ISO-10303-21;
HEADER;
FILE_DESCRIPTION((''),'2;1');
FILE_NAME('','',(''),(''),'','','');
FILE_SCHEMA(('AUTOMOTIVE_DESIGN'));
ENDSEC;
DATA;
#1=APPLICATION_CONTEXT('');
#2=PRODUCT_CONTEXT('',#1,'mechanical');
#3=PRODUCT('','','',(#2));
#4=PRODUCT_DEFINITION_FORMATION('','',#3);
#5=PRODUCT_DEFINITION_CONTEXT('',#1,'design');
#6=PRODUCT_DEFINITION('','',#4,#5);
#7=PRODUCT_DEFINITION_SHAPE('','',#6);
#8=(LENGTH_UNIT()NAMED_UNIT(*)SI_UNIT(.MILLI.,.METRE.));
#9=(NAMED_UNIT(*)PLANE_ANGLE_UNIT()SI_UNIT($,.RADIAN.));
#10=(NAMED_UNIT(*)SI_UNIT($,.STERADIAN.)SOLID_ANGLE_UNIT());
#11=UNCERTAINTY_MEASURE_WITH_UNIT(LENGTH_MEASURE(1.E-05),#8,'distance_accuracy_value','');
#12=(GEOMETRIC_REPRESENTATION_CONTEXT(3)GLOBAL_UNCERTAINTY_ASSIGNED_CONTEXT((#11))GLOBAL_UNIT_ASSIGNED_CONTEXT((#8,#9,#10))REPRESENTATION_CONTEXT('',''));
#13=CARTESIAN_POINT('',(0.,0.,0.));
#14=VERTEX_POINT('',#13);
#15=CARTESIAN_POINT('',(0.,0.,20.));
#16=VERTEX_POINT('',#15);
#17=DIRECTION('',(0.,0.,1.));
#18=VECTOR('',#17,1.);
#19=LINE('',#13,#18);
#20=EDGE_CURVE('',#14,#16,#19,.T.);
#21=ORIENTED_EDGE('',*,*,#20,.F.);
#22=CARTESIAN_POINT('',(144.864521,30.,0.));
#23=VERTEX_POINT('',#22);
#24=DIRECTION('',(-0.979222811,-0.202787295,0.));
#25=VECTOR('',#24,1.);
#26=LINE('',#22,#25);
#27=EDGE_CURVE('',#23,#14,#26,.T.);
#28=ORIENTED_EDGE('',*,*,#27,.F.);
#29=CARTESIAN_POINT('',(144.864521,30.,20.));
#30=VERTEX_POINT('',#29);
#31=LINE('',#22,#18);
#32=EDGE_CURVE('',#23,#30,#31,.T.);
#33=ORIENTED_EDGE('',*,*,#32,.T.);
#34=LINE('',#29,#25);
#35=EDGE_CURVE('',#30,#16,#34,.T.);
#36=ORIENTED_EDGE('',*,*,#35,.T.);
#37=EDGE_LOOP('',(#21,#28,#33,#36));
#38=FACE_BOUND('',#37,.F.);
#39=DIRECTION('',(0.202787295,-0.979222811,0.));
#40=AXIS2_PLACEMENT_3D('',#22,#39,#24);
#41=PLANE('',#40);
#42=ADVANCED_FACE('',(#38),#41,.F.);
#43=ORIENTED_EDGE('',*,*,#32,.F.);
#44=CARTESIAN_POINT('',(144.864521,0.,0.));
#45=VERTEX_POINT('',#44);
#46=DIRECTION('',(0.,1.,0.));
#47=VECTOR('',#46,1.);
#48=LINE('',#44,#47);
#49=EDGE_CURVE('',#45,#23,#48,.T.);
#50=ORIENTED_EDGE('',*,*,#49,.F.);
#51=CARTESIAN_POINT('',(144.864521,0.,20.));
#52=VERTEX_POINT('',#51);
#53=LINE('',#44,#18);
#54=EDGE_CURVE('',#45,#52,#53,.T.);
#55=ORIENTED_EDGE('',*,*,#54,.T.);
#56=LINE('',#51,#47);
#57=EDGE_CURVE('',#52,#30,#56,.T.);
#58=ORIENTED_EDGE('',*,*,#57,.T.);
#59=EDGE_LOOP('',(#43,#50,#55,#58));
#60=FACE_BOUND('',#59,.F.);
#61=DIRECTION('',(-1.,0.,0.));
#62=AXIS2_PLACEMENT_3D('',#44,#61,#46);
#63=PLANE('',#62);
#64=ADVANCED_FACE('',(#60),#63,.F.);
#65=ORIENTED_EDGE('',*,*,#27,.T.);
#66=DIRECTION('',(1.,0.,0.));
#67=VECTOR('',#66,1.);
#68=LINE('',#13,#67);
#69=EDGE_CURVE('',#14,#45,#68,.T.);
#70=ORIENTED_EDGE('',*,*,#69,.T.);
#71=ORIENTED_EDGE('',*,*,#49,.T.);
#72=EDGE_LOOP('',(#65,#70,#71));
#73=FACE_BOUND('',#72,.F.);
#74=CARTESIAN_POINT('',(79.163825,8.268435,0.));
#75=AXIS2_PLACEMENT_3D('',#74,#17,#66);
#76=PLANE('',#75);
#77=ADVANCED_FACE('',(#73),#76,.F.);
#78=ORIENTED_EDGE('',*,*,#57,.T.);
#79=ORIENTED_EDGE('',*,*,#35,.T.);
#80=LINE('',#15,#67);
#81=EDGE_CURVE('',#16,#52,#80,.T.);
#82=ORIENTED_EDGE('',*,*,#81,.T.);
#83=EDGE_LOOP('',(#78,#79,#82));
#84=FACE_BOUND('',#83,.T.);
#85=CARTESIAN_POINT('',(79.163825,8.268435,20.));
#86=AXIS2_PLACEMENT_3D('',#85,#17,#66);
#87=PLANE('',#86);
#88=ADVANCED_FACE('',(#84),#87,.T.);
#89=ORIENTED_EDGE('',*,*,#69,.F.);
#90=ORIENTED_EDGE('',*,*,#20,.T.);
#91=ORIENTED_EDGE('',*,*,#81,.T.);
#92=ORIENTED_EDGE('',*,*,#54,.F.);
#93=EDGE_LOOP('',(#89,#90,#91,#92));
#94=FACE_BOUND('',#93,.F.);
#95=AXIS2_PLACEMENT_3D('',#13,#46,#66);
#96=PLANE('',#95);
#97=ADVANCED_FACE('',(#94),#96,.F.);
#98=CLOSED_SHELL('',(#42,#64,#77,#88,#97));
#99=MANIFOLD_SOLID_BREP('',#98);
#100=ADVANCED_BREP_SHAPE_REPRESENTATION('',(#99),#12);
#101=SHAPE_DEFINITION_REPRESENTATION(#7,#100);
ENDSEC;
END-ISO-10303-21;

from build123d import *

# Parameters (mm, degrees)
PAD_DEPTH = 20


with BuildPart() as part:
    # Sketch → Pad (new body)
    with BuildSketch(Plane.XY):
        Polygon((0, 0), (144.864521, 0), (144.864521, 30), align=None)
    extrude(amount=PAD_DEPTH)


solid = part.part
